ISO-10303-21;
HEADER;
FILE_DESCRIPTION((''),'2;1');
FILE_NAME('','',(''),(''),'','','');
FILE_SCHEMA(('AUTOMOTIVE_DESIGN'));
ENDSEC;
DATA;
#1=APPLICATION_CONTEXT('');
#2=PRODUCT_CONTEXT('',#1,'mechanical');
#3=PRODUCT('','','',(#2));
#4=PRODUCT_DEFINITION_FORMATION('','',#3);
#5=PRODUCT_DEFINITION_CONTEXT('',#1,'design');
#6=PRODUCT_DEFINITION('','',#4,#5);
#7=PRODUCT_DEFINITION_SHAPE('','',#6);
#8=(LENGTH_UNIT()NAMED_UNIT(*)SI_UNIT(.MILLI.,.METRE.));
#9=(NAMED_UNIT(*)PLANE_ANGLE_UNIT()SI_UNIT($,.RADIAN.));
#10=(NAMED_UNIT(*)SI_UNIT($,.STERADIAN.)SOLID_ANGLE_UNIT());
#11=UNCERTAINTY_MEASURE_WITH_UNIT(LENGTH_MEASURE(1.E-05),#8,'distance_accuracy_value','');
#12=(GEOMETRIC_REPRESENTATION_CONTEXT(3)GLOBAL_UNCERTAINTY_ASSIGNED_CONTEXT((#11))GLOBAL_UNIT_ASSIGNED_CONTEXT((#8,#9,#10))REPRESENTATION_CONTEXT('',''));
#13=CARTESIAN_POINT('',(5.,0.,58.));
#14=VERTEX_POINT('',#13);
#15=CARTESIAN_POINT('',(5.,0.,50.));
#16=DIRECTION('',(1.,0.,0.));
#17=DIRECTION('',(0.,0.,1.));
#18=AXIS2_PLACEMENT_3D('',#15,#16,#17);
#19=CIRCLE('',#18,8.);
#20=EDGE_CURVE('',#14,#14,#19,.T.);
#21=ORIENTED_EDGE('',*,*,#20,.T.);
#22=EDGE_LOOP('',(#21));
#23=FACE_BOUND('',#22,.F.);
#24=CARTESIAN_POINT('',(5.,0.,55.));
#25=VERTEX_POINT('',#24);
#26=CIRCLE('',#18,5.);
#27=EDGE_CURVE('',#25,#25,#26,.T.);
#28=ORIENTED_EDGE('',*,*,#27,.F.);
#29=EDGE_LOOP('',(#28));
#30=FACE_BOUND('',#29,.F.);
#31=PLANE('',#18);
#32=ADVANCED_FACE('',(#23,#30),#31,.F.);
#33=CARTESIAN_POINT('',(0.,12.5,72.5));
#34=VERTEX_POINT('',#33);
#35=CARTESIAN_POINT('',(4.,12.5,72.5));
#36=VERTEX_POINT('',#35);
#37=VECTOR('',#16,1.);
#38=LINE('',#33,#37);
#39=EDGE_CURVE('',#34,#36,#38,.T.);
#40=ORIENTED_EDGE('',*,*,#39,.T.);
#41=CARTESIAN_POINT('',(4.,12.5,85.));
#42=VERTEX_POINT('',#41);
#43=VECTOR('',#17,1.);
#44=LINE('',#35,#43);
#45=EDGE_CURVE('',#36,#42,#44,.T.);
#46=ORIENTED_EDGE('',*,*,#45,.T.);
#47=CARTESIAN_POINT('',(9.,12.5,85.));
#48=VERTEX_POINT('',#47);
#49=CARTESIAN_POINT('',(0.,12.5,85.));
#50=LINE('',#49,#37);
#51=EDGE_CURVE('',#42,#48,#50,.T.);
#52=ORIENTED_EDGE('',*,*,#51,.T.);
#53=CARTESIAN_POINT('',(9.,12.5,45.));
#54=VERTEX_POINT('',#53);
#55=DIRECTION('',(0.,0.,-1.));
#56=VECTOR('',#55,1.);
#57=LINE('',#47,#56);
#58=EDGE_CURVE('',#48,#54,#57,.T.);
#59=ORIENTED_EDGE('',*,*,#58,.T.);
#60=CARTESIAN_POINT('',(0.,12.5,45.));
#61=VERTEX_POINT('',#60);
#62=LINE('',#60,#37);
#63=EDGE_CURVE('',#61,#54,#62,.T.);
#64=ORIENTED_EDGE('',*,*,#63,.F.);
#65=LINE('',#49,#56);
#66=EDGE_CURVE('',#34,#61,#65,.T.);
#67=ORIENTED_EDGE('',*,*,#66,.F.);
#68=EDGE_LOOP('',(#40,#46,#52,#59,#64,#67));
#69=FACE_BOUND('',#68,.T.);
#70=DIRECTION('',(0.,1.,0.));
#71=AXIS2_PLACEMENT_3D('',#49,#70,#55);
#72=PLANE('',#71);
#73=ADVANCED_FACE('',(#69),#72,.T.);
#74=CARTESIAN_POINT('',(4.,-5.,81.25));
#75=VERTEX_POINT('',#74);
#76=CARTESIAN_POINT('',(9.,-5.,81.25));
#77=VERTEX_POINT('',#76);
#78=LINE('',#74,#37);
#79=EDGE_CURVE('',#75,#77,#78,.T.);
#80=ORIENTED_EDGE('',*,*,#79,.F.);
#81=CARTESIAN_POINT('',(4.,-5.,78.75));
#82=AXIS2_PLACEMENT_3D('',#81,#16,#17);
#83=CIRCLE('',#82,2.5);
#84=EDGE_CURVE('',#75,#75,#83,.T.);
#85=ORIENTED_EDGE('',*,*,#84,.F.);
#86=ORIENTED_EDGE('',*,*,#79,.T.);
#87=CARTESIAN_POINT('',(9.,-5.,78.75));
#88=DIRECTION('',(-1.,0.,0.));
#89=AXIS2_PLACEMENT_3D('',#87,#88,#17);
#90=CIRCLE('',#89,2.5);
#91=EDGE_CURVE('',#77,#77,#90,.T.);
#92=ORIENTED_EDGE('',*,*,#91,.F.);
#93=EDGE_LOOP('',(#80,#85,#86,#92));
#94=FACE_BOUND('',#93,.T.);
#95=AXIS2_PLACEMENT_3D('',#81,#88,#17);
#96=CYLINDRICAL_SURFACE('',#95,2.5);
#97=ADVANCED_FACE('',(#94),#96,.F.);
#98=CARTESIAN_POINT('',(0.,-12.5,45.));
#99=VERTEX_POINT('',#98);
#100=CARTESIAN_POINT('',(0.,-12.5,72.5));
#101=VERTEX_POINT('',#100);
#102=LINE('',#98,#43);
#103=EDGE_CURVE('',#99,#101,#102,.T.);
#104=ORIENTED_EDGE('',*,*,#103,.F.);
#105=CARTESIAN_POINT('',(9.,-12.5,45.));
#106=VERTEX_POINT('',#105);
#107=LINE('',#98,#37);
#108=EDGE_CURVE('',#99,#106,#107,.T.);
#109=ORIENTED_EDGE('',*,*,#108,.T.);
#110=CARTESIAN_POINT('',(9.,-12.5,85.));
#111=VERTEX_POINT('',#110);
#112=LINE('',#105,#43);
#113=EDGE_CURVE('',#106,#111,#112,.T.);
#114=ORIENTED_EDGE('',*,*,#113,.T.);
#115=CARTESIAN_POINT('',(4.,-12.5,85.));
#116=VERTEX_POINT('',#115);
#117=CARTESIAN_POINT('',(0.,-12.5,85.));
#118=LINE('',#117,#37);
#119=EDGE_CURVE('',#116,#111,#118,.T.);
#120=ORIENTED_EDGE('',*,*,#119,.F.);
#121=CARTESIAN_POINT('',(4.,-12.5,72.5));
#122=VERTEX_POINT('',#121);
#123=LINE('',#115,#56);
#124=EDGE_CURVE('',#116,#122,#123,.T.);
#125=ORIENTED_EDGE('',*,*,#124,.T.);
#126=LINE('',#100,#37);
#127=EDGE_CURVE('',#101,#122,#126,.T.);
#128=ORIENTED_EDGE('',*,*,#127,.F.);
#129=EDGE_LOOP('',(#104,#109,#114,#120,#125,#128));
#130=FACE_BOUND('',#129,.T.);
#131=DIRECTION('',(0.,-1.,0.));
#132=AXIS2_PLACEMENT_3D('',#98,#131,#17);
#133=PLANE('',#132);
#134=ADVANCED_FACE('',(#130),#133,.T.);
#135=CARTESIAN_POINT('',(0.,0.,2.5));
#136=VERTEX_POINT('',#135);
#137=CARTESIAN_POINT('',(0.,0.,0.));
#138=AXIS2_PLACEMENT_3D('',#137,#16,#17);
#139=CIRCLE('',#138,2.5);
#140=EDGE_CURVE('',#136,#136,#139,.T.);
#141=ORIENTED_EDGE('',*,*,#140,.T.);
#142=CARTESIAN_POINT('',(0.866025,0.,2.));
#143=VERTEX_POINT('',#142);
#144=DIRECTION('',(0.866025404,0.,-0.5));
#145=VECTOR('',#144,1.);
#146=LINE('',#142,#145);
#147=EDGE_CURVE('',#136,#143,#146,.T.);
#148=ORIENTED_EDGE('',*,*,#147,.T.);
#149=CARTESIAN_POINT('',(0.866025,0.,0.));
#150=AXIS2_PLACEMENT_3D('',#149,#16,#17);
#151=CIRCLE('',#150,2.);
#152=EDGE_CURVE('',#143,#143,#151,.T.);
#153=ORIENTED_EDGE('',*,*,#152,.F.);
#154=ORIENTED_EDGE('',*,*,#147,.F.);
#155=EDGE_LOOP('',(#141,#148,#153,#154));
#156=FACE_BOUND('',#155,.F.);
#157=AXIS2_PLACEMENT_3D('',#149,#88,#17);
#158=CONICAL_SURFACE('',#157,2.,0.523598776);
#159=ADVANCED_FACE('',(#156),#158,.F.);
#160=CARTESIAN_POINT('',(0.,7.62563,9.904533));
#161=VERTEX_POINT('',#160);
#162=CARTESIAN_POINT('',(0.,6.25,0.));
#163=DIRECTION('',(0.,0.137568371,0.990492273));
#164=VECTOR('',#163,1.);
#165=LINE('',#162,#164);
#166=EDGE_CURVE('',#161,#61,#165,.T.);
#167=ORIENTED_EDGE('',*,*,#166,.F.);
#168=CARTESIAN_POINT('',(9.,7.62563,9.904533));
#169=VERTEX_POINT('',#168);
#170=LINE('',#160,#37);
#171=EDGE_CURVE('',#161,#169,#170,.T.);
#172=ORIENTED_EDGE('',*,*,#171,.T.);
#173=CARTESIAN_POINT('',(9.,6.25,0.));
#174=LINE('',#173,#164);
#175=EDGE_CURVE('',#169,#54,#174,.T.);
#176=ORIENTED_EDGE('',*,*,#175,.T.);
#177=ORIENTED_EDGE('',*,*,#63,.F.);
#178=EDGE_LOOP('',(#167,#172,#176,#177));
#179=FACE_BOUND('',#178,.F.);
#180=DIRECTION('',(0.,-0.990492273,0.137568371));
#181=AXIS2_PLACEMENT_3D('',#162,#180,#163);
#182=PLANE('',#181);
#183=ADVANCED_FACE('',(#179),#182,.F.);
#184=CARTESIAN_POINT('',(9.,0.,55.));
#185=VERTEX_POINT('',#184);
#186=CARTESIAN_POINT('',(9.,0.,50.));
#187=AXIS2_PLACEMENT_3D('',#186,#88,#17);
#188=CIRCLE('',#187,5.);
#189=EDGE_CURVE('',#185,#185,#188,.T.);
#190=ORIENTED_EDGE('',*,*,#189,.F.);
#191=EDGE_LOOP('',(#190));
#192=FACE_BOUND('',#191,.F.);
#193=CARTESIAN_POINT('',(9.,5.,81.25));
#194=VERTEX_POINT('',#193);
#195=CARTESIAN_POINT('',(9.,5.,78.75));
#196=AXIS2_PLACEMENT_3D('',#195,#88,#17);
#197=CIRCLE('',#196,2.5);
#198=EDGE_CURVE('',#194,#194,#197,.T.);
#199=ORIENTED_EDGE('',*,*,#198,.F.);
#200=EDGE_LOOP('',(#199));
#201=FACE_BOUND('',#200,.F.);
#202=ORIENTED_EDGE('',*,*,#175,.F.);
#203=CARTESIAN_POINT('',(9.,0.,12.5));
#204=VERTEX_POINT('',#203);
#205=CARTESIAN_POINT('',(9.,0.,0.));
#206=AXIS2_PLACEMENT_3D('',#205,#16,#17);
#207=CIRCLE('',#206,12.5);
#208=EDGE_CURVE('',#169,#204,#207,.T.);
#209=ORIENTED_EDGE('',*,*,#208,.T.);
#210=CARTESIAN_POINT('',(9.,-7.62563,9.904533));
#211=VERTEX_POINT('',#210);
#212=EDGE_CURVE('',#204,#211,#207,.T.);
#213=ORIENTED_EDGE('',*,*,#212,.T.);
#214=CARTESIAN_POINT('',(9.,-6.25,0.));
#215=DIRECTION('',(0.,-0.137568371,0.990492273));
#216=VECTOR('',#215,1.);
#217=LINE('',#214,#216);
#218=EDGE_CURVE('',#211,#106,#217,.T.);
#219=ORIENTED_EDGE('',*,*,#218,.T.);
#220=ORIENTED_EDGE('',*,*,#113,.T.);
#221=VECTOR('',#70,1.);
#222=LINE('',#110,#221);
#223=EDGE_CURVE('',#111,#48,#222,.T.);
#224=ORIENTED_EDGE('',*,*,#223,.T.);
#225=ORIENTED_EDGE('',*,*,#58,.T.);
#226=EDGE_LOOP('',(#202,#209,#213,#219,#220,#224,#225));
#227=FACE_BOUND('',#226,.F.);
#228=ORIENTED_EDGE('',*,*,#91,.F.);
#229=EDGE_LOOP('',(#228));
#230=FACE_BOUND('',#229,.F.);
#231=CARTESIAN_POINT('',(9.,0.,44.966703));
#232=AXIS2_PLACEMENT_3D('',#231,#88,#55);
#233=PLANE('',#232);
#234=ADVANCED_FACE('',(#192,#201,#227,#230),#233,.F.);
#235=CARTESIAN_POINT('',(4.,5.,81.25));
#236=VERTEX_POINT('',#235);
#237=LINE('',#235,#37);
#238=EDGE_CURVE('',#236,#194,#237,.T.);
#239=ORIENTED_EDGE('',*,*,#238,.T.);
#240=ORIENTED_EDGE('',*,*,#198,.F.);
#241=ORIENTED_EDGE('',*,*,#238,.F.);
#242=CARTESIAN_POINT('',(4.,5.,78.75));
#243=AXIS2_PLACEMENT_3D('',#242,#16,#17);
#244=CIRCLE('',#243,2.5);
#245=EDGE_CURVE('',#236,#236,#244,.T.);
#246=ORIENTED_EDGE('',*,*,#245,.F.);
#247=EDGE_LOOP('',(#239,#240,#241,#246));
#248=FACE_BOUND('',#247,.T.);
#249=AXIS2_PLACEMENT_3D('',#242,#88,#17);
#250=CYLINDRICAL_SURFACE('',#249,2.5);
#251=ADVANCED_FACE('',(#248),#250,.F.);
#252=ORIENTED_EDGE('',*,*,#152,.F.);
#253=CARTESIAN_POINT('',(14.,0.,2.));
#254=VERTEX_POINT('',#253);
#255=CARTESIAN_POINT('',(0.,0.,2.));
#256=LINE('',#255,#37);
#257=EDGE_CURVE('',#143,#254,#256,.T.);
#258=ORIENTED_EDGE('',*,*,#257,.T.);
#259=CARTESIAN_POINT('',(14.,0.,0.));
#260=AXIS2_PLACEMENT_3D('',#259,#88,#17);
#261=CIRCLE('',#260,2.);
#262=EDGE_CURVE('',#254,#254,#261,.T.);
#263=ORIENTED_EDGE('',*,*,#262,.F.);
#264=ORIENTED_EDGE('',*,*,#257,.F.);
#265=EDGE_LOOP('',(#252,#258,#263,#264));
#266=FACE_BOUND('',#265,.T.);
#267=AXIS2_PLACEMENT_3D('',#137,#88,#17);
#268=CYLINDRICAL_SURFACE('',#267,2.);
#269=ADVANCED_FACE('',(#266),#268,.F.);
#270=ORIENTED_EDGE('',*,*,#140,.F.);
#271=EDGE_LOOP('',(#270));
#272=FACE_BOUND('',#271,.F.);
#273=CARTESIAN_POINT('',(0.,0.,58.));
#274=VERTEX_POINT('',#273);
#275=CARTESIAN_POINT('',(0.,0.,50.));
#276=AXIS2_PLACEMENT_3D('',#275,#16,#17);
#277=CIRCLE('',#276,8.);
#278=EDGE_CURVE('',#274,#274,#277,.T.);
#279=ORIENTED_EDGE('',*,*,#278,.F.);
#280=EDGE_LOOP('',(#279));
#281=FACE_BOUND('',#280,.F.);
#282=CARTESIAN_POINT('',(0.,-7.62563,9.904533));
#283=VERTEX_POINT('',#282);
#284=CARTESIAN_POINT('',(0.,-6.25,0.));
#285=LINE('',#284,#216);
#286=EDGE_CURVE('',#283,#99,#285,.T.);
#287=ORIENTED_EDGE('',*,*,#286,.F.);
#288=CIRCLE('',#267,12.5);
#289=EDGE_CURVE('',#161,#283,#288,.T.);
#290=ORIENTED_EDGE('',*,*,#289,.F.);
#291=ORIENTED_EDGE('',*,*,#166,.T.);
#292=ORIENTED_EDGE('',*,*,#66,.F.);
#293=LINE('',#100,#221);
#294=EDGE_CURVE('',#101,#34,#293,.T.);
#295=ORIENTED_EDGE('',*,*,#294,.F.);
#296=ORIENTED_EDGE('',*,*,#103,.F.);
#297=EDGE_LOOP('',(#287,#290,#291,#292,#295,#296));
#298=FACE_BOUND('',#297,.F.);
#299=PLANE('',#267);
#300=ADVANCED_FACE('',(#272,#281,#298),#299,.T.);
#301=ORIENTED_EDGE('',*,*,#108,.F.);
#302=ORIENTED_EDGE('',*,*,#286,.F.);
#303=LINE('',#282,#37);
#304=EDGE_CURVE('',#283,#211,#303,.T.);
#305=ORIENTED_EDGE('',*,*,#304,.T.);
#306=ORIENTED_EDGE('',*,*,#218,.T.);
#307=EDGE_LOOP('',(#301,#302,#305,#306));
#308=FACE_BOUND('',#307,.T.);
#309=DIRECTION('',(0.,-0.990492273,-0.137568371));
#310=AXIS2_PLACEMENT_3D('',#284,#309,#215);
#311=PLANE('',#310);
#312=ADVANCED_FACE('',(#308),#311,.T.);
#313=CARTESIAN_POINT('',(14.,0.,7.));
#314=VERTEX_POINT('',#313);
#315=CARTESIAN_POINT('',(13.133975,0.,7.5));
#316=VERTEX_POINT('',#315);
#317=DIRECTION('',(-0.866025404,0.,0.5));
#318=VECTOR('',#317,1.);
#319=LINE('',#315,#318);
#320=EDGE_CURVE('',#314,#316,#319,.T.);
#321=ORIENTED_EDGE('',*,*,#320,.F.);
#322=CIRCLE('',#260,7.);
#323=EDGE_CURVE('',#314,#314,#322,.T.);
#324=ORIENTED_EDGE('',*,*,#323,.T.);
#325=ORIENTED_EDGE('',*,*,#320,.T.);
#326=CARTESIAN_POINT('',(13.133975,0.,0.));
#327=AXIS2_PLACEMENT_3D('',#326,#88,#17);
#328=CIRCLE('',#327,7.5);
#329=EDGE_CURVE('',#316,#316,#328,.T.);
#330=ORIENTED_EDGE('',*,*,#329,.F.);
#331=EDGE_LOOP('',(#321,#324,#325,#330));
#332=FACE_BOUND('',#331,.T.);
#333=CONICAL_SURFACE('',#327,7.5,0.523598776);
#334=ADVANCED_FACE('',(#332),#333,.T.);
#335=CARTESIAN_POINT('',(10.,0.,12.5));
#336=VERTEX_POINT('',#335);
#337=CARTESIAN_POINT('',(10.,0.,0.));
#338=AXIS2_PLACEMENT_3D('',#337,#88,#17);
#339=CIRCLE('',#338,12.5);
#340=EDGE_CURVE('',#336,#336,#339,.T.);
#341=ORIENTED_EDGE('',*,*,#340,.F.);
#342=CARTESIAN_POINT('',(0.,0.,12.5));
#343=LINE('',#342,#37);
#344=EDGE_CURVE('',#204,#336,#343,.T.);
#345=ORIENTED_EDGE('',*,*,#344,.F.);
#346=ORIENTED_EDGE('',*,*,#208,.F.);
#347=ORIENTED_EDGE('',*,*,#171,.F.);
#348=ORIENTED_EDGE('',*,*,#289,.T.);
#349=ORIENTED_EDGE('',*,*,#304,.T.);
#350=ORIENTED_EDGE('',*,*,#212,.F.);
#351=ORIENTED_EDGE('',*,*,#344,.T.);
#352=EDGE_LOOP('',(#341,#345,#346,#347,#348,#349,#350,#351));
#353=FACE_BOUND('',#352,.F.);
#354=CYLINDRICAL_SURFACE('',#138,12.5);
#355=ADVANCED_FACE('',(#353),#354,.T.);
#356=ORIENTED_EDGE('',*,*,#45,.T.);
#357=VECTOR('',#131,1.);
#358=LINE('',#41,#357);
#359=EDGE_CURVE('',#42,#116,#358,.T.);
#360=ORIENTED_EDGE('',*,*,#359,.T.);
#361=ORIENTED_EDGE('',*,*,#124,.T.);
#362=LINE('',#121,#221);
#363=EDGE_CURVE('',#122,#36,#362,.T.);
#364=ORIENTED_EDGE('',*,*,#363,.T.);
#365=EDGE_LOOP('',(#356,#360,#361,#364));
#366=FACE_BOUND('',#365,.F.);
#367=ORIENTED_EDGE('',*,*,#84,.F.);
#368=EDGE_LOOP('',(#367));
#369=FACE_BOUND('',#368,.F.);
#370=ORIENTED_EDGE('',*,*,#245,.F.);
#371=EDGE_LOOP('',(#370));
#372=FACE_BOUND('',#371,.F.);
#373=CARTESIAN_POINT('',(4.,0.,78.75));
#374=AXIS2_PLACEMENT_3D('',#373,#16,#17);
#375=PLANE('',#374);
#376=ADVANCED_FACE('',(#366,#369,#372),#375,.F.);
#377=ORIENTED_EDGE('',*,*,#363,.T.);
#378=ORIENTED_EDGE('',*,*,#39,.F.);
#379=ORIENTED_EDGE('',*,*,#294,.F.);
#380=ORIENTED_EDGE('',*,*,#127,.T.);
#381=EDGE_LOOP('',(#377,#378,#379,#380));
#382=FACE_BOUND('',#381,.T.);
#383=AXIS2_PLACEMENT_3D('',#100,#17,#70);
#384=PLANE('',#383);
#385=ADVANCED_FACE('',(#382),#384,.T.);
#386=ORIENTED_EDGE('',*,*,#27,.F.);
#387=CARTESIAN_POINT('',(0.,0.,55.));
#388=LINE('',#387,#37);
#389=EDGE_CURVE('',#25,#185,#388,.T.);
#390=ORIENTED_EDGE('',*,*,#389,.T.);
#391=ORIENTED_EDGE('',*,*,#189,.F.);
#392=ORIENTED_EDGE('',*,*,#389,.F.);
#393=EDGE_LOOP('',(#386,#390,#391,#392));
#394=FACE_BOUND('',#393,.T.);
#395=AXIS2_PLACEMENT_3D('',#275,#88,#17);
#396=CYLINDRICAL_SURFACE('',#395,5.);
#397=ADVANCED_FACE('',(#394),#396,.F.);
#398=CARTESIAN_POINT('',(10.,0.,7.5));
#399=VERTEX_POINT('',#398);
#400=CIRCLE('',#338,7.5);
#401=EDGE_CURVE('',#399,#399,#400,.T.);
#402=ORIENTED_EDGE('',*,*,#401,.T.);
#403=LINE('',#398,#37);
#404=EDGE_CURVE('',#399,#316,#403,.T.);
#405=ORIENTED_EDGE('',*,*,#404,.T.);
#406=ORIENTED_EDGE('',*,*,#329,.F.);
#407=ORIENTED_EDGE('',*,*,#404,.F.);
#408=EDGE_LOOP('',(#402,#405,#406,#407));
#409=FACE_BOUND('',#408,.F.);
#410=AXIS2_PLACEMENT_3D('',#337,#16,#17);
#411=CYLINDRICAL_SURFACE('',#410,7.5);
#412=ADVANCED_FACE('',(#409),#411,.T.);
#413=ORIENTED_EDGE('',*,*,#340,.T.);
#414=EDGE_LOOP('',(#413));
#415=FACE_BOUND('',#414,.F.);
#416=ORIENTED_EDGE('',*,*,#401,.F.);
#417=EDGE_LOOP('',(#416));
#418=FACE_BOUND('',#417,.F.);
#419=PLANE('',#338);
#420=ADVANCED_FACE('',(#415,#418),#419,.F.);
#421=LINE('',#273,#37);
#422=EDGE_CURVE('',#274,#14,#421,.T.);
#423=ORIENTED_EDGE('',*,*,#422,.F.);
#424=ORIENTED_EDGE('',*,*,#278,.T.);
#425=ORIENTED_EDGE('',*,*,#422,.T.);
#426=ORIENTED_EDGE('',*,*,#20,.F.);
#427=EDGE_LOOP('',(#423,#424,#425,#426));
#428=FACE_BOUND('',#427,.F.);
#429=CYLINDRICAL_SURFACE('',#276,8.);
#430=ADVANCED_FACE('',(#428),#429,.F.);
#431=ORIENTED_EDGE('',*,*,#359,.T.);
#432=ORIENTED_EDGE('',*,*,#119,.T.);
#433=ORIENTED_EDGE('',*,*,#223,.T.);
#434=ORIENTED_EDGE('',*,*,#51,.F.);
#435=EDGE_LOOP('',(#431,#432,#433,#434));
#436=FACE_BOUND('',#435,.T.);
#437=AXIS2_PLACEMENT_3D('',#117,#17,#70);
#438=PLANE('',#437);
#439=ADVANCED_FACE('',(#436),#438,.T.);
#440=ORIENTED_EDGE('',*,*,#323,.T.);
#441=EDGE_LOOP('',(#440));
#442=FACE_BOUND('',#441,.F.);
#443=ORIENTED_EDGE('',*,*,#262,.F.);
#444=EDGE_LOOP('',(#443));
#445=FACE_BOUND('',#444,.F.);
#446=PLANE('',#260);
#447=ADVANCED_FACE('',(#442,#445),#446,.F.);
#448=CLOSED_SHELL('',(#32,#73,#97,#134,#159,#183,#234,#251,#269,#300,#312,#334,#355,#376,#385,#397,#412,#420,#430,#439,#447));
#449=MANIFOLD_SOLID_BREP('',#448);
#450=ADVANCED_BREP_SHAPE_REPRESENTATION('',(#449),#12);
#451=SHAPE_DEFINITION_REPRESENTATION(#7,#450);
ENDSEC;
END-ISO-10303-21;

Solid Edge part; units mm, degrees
sketch "Sketch1" plane through (0, 0, 0) normal (0, -1, 0) x (1, 0, 0)
  line L0 (0, 0) -> (0, 12.5)
  line L1 (0, 12.5) -> (10, 12.5)
  line L2 (10, 12.5) -> (10, 7.5)
  line L3 (10, 7.5) -> (14, 7.5)
  line L4 (14, 7.5) -> (14, 0)
  dimension "D1" = 4
  dimension "D2" = 10
revolve "RevolvedProtrusion1" add sketch "Sketch1" angle 360 about axis through (13.3633, 0, 0) along (-1, 0, 0)
sketch "Sketch2" plane through (0, 0, 0) normal (1, 0, 0) x (0, 1, 0)
  line L0 (12.5, 85) -> (12.5, 45)
  line L1 (6.25, 0) -> (12.5, 45)
  line L2 (-6.25, 0) -> (6.25, 0)
  line L3 (-6.25, 0) -> (-12.5, 45)
  line L4 (-12.5, 45) -> (-12.5, 85)
  line L5 (-12.5, 85) -> (12.5, 85)
  dimension "D1" = 25
  dimension "D2" = 12.5
  dimension "D3" = 40
  dimension "D4" = 85
extrude "Protrusion1" add sketch "Sketch2" along normal blind 9
hole "Hole_1" at (0, 0, 0) direction (1, 0, 0) diameter 4 end up to next
chamfer "Chamfer_1" distance 0.5 angle 60 1 edges at (14, 0, -7.5) measured on face at (14, -4.85, -5.15)
sketch "Sketch3" plane through (0, 0, 36.25) normal (-1, 0, 0) x (0, 0, 1)
  line L0 (48.75, 12.5) -> (48.75, -12.5)
  line L1 (48.75, -12.5) -> (36.25, -12.5)
  line L2 (36.25, -12.5) -> (36.25, 12.5)
  line L3 (36.25, 12.5) -> (48.75, 12.5)
  dimension "D1" = 12.5
extrude "ExtrudedCutout_1" cut sketch "Sketch3" against normal blind 4
hole "Hole_2" at (4, 5, 78.75) direction (1, 0, 0) diameter 5 end up to next
hole "Hole1" at (4, -5, 78.75) direction (1, 0, 0) diameter 5 end up to next
chamfer "Chamfer_2" distance 0.5 angle 60 1 edges at (0, 0, -2) measured on face at (0, -8.0833, 59.1833)
hole "Hole_4" at (0, 0, 50) direction (1, 0, 0) diameter 10 end up to next counterbore diameter 16 counterbore depth 5
properties material "Polyethylene, low density"
